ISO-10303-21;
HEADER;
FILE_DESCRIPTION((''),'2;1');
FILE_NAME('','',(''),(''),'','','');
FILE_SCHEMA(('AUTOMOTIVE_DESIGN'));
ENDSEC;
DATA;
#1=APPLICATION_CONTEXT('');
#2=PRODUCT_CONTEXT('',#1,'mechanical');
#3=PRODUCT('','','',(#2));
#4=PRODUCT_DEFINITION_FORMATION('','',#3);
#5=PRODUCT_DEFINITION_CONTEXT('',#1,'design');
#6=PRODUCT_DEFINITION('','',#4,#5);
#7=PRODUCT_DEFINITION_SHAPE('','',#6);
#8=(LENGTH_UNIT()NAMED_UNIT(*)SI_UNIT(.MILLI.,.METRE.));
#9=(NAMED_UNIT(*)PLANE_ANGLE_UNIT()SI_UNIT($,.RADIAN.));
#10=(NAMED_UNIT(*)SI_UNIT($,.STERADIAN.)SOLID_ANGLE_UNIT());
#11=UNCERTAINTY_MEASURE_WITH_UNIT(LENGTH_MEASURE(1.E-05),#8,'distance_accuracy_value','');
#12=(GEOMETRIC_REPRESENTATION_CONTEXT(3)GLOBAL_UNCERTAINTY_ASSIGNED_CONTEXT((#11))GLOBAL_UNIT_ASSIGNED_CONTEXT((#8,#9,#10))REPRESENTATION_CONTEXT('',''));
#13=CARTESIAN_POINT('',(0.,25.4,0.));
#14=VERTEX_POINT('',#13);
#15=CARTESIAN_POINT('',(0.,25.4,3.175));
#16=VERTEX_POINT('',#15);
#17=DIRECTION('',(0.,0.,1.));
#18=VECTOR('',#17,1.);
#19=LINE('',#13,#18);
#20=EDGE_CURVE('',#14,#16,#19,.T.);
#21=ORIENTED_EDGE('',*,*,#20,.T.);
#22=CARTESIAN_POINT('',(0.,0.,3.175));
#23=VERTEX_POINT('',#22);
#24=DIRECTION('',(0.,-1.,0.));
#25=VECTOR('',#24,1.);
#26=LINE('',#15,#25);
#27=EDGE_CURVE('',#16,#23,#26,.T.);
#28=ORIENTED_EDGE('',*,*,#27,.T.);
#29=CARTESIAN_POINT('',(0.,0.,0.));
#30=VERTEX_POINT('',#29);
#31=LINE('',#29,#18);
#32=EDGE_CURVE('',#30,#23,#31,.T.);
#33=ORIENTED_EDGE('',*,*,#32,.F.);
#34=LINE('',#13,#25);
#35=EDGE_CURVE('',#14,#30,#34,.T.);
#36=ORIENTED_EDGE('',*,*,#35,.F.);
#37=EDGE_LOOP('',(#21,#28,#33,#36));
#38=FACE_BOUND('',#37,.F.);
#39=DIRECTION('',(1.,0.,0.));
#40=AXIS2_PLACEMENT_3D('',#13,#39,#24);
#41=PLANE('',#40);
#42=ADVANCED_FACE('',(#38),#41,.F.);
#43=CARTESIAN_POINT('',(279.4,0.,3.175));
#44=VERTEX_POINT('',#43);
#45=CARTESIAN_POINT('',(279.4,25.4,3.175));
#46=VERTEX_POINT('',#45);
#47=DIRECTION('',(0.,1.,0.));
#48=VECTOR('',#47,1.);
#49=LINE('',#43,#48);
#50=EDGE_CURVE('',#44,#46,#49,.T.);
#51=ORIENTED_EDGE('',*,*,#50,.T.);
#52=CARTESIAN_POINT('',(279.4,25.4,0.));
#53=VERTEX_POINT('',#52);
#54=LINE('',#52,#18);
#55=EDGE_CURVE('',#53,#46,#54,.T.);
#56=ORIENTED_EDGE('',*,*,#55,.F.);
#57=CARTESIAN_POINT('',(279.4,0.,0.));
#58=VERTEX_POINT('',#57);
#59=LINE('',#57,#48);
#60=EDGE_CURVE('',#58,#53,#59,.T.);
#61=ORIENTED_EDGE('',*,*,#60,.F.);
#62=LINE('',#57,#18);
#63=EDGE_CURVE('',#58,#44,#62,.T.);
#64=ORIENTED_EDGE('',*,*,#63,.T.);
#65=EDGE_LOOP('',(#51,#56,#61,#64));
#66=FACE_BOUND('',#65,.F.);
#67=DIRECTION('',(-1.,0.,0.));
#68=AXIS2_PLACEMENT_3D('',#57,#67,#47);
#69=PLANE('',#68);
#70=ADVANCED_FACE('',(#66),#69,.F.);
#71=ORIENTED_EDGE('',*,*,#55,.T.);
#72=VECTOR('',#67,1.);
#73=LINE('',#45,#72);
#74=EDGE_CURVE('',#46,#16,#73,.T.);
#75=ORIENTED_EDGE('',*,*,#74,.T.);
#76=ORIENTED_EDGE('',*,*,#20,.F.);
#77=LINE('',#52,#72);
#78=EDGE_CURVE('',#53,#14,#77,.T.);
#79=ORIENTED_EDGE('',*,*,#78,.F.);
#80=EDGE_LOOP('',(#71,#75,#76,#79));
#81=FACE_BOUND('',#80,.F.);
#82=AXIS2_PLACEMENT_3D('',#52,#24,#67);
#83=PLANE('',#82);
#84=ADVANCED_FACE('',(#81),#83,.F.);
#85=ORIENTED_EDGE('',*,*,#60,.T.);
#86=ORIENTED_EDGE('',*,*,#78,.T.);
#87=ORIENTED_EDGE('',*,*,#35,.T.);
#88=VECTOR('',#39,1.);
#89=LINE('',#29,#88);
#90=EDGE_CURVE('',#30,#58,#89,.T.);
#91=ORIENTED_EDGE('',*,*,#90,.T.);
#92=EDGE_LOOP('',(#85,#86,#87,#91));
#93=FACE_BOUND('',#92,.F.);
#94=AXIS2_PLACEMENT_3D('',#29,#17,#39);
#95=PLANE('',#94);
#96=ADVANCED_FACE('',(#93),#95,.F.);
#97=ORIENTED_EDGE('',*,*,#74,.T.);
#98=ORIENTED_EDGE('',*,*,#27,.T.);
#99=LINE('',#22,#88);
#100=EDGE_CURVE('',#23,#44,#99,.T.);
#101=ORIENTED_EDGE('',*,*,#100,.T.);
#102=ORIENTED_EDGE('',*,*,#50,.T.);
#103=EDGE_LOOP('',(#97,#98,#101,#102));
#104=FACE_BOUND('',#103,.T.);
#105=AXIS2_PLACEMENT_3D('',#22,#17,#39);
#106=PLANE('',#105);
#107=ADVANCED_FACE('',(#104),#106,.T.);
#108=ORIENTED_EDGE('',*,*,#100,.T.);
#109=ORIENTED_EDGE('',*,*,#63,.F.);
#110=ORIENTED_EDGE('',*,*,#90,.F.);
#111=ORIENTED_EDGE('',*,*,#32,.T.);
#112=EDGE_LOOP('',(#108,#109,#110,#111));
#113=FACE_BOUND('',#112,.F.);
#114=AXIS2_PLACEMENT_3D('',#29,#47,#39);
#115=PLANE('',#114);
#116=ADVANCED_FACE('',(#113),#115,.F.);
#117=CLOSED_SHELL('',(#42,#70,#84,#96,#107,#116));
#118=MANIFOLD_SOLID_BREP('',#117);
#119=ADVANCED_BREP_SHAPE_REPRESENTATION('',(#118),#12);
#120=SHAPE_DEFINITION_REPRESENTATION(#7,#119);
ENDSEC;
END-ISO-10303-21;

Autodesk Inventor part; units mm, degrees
ref_plane "YZ Plane" through (0, 0, 0) normal (1, 0, 0) x (0, 1, 0)
ref_plane "XZ Plane" through (0, 0, 0) normal (0, 1, 0) x (-1, 0, 0)
ref_plane "XY Plane" through (0, 0, 0) normal (0, 0, 1) x (1, 0, 0)
sketch "Sketch1" plane through (0, 0, 0) normal (0, 0, 1) x (1, 0, 0)
  line L0 (0, 0) -> (279.4, 0)
  line L1 (279.4, 0) -> (279.4, 25.4)
  line L2 (279.4, 25.4) -> (0, 25.4)
  line L3 (0, 25.4) -> (0, 0)
  dimension "d0" = 279.4
  dimension "d1" = 25.4
extrude "Extrusion1" add sketch "Sketch1" along normal blind 3.175
properties part number "11inbar" material "Steel, Mild"
